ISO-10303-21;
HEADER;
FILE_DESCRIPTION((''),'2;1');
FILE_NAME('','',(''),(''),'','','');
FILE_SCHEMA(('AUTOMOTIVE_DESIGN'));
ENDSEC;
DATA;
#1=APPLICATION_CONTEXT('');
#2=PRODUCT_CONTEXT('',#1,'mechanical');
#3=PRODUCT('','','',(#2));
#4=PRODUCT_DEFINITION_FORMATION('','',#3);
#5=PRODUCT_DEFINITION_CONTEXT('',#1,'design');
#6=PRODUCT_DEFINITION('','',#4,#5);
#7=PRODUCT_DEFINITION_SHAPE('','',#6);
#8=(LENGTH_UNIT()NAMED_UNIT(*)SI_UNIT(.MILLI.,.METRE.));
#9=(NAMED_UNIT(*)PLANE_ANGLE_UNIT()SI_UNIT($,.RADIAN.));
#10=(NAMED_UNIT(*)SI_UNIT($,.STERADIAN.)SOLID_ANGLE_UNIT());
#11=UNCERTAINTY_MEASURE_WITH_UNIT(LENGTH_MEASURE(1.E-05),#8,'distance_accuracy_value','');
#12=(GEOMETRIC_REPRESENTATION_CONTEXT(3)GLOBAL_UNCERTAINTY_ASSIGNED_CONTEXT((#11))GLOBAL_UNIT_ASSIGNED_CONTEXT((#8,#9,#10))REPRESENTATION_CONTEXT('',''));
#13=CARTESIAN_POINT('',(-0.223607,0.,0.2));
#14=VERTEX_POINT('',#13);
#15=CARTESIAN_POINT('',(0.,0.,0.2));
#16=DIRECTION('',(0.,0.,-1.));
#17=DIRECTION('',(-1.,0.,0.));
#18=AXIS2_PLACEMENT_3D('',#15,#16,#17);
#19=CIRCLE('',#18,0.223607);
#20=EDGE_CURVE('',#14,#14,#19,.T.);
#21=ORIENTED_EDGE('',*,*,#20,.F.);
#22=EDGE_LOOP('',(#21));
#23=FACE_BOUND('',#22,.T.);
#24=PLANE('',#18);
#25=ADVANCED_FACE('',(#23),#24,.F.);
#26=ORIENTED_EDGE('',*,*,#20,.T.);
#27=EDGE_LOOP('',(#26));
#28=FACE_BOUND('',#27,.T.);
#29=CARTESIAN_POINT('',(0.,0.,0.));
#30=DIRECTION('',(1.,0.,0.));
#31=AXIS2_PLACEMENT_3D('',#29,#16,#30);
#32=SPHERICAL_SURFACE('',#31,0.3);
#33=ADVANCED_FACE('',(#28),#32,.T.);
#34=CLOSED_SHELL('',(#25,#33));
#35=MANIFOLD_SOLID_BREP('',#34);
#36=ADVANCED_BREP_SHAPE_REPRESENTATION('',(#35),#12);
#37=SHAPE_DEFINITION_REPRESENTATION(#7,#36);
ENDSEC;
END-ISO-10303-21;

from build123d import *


with BuildPart() as part:
    # Эскиз1 → Повернуть1 (revolve)
    with BuildSketch(Plane(origin=(0, 0, 0), x_dir=(1, 0, 0), z_dir=(0, 1, 0))):
        with BuildLine():
            Line((0, 0.3), (0, -0.2))
            Line((0, -0.2), (0.223606798, -0.2))
            ThreePointArc((0.223606798, -0.2), (0.273861279, 0.122474487), (0, 0.3))
        make_face()
    revolve(axis=Axis((0, 0, -0.377265876), (0, 0, 1)))


solid = part.part
